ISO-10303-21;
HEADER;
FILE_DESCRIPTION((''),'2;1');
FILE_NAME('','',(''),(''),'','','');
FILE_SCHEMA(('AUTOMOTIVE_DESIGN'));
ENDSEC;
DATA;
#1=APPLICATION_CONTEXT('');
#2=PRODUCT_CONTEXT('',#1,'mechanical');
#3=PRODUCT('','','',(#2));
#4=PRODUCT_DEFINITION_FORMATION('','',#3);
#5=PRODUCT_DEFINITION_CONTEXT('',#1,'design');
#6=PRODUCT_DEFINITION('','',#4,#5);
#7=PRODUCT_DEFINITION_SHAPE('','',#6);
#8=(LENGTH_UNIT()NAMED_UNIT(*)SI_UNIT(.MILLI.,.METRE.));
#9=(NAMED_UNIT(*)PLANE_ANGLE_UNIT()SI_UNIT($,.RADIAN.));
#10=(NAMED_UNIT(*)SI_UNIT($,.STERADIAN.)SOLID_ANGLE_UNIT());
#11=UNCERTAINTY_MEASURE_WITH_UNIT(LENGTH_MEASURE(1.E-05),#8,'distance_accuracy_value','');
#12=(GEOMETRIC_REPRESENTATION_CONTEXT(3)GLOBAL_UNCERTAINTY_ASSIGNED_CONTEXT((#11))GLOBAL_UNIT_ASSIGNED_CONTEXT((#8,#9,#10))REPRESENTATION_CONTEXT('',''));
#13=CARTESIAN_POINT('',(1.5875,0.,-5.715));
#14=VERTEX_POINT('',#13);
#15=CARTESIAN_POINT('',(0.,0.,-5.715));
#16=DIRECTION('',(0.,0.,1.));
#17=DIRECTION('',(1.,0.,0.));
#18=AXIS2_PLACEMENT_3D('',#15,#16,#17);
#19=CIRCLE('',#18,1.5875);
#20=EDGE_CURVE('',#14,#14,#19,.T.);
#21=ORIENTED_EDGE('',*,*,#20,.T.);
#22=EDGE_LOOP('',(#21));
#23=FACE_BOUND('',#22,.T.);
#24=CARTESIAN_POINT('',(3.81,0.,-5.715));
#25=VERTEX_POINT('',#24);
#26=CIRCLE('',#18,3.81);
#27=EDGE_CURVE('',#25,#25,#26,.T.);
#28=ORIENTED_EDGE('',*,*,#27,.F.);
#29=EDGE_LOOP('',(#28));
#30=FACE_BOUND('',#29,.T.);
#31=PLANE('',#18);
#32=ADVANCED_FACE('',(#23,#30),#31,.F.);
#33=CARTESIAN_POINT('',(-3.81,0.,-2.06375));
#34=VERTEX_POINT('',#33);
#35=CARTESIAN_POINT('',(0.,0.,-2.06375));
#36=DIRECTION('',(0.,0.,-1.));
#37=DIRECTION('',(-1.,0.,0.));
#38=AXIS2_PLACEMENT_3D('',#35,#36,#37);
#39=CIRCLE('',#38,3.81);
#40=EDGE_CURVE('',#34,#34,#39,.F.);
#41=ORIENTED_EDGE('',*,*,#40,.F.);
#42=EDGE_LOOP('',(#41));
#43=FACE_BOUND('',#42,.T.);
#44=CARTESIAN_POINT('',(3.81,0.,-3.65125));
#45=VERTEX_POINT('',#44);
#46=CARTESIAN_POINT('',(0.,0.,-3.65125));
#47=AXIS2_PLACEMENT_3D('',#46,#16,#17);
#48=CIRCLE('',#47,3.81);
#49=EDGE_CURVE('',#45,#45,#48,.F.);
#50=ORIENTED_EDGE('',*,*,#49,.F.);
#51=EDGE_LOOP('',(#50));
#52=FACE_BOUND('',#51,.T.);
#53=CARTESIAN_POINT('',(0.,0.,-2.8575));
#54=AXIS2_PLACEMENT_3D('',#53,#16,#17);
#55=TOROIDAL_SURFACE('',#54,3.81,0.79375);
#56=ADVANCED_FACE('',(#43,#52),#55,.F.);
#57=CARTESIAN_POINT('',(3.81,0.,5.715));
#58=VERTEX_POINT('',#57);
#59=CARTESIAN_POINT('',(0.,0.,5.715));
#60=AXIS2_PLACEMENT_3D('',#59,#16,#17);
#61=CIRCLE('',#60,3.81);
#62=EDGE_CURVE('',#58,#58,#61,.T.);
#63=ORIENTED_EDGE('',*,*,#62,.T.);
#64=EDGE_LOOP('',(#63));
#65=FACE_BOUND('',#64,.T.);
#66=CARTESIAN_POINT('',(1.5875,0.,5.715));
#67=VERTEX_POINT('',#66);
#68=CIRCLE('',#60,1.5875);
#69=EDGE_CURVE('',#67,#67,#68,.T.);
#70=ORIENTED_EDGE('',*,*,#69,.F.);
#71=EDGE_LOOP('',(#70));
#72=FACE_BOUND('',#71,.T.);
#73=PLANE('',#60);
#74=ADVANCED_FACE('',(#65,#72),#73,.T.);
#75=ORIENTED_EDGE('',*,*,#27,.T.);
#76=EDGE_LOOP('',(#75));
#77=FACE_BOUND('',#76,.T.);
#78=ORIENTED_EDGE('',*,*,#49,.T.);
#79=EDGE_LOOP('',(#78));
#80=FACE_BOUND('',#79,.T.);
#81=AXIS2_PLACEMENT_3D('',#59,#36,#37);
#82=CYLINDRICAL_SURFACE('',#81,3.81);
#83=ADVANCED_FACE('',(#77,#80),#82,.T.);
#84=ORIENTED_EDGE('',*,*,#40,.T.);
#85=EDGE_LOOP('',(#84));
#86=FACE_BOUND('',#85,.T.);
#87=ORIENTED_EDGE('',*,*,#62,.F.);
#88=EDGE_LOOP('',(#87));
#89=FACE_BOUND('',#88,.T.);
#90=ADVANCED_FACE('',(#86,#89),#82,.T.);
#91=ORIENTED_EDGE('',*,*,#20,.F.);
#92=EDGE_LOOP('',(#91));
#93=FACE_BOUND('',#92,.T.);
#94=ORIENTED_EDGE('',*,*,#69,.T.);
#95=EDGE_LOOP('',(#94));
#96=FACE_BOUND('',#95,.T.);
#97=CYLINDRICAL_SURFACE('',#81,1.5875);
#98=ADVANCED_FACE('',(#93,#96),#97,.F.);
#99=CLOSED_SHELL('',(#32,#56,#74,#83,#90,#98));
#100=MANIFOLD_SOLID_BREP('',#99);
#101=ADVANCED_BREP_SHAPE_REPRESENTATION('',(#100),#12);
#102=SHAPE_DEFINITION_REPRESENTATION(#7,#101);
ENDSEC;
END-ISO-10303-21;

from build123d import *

# Parameters (mm, degrees)
SKETCH1_R           = 3.81
SKETCH1_R_2         = 1.5875
BOSS_EXTRUDE1_DEPTH = 5.715
SKETCH2_R           = 0.79375


with BuildPart() as part:
    # Sketch1 → Boss-Extrude1 (new, symmetric)
    with BuildSketch(Plane.XY):
        Circle(SKETCH1_R)
        Circle(SKETCH1_R_2, mode=Mode.SUBTRACT)
    extrude(amount=BOSS_EXTRUDE1_DEPTH, both=True)

    # Sketch2 → Cut-Revolve1 (revolve, cut)
    with BuildSketch(Plane(origin=(0, 0, 0), x_dir=(1, 0, 0), z_dir=(0, 1, 0))):
        with Locations((3.81, 2.8575)):
            Circle(SKETCH2_R)
    revolve(axis=Axis((0, 0, 5.715), (0, 0, -1)), mode=Mode.SUBTRACT)


solid = part.part
